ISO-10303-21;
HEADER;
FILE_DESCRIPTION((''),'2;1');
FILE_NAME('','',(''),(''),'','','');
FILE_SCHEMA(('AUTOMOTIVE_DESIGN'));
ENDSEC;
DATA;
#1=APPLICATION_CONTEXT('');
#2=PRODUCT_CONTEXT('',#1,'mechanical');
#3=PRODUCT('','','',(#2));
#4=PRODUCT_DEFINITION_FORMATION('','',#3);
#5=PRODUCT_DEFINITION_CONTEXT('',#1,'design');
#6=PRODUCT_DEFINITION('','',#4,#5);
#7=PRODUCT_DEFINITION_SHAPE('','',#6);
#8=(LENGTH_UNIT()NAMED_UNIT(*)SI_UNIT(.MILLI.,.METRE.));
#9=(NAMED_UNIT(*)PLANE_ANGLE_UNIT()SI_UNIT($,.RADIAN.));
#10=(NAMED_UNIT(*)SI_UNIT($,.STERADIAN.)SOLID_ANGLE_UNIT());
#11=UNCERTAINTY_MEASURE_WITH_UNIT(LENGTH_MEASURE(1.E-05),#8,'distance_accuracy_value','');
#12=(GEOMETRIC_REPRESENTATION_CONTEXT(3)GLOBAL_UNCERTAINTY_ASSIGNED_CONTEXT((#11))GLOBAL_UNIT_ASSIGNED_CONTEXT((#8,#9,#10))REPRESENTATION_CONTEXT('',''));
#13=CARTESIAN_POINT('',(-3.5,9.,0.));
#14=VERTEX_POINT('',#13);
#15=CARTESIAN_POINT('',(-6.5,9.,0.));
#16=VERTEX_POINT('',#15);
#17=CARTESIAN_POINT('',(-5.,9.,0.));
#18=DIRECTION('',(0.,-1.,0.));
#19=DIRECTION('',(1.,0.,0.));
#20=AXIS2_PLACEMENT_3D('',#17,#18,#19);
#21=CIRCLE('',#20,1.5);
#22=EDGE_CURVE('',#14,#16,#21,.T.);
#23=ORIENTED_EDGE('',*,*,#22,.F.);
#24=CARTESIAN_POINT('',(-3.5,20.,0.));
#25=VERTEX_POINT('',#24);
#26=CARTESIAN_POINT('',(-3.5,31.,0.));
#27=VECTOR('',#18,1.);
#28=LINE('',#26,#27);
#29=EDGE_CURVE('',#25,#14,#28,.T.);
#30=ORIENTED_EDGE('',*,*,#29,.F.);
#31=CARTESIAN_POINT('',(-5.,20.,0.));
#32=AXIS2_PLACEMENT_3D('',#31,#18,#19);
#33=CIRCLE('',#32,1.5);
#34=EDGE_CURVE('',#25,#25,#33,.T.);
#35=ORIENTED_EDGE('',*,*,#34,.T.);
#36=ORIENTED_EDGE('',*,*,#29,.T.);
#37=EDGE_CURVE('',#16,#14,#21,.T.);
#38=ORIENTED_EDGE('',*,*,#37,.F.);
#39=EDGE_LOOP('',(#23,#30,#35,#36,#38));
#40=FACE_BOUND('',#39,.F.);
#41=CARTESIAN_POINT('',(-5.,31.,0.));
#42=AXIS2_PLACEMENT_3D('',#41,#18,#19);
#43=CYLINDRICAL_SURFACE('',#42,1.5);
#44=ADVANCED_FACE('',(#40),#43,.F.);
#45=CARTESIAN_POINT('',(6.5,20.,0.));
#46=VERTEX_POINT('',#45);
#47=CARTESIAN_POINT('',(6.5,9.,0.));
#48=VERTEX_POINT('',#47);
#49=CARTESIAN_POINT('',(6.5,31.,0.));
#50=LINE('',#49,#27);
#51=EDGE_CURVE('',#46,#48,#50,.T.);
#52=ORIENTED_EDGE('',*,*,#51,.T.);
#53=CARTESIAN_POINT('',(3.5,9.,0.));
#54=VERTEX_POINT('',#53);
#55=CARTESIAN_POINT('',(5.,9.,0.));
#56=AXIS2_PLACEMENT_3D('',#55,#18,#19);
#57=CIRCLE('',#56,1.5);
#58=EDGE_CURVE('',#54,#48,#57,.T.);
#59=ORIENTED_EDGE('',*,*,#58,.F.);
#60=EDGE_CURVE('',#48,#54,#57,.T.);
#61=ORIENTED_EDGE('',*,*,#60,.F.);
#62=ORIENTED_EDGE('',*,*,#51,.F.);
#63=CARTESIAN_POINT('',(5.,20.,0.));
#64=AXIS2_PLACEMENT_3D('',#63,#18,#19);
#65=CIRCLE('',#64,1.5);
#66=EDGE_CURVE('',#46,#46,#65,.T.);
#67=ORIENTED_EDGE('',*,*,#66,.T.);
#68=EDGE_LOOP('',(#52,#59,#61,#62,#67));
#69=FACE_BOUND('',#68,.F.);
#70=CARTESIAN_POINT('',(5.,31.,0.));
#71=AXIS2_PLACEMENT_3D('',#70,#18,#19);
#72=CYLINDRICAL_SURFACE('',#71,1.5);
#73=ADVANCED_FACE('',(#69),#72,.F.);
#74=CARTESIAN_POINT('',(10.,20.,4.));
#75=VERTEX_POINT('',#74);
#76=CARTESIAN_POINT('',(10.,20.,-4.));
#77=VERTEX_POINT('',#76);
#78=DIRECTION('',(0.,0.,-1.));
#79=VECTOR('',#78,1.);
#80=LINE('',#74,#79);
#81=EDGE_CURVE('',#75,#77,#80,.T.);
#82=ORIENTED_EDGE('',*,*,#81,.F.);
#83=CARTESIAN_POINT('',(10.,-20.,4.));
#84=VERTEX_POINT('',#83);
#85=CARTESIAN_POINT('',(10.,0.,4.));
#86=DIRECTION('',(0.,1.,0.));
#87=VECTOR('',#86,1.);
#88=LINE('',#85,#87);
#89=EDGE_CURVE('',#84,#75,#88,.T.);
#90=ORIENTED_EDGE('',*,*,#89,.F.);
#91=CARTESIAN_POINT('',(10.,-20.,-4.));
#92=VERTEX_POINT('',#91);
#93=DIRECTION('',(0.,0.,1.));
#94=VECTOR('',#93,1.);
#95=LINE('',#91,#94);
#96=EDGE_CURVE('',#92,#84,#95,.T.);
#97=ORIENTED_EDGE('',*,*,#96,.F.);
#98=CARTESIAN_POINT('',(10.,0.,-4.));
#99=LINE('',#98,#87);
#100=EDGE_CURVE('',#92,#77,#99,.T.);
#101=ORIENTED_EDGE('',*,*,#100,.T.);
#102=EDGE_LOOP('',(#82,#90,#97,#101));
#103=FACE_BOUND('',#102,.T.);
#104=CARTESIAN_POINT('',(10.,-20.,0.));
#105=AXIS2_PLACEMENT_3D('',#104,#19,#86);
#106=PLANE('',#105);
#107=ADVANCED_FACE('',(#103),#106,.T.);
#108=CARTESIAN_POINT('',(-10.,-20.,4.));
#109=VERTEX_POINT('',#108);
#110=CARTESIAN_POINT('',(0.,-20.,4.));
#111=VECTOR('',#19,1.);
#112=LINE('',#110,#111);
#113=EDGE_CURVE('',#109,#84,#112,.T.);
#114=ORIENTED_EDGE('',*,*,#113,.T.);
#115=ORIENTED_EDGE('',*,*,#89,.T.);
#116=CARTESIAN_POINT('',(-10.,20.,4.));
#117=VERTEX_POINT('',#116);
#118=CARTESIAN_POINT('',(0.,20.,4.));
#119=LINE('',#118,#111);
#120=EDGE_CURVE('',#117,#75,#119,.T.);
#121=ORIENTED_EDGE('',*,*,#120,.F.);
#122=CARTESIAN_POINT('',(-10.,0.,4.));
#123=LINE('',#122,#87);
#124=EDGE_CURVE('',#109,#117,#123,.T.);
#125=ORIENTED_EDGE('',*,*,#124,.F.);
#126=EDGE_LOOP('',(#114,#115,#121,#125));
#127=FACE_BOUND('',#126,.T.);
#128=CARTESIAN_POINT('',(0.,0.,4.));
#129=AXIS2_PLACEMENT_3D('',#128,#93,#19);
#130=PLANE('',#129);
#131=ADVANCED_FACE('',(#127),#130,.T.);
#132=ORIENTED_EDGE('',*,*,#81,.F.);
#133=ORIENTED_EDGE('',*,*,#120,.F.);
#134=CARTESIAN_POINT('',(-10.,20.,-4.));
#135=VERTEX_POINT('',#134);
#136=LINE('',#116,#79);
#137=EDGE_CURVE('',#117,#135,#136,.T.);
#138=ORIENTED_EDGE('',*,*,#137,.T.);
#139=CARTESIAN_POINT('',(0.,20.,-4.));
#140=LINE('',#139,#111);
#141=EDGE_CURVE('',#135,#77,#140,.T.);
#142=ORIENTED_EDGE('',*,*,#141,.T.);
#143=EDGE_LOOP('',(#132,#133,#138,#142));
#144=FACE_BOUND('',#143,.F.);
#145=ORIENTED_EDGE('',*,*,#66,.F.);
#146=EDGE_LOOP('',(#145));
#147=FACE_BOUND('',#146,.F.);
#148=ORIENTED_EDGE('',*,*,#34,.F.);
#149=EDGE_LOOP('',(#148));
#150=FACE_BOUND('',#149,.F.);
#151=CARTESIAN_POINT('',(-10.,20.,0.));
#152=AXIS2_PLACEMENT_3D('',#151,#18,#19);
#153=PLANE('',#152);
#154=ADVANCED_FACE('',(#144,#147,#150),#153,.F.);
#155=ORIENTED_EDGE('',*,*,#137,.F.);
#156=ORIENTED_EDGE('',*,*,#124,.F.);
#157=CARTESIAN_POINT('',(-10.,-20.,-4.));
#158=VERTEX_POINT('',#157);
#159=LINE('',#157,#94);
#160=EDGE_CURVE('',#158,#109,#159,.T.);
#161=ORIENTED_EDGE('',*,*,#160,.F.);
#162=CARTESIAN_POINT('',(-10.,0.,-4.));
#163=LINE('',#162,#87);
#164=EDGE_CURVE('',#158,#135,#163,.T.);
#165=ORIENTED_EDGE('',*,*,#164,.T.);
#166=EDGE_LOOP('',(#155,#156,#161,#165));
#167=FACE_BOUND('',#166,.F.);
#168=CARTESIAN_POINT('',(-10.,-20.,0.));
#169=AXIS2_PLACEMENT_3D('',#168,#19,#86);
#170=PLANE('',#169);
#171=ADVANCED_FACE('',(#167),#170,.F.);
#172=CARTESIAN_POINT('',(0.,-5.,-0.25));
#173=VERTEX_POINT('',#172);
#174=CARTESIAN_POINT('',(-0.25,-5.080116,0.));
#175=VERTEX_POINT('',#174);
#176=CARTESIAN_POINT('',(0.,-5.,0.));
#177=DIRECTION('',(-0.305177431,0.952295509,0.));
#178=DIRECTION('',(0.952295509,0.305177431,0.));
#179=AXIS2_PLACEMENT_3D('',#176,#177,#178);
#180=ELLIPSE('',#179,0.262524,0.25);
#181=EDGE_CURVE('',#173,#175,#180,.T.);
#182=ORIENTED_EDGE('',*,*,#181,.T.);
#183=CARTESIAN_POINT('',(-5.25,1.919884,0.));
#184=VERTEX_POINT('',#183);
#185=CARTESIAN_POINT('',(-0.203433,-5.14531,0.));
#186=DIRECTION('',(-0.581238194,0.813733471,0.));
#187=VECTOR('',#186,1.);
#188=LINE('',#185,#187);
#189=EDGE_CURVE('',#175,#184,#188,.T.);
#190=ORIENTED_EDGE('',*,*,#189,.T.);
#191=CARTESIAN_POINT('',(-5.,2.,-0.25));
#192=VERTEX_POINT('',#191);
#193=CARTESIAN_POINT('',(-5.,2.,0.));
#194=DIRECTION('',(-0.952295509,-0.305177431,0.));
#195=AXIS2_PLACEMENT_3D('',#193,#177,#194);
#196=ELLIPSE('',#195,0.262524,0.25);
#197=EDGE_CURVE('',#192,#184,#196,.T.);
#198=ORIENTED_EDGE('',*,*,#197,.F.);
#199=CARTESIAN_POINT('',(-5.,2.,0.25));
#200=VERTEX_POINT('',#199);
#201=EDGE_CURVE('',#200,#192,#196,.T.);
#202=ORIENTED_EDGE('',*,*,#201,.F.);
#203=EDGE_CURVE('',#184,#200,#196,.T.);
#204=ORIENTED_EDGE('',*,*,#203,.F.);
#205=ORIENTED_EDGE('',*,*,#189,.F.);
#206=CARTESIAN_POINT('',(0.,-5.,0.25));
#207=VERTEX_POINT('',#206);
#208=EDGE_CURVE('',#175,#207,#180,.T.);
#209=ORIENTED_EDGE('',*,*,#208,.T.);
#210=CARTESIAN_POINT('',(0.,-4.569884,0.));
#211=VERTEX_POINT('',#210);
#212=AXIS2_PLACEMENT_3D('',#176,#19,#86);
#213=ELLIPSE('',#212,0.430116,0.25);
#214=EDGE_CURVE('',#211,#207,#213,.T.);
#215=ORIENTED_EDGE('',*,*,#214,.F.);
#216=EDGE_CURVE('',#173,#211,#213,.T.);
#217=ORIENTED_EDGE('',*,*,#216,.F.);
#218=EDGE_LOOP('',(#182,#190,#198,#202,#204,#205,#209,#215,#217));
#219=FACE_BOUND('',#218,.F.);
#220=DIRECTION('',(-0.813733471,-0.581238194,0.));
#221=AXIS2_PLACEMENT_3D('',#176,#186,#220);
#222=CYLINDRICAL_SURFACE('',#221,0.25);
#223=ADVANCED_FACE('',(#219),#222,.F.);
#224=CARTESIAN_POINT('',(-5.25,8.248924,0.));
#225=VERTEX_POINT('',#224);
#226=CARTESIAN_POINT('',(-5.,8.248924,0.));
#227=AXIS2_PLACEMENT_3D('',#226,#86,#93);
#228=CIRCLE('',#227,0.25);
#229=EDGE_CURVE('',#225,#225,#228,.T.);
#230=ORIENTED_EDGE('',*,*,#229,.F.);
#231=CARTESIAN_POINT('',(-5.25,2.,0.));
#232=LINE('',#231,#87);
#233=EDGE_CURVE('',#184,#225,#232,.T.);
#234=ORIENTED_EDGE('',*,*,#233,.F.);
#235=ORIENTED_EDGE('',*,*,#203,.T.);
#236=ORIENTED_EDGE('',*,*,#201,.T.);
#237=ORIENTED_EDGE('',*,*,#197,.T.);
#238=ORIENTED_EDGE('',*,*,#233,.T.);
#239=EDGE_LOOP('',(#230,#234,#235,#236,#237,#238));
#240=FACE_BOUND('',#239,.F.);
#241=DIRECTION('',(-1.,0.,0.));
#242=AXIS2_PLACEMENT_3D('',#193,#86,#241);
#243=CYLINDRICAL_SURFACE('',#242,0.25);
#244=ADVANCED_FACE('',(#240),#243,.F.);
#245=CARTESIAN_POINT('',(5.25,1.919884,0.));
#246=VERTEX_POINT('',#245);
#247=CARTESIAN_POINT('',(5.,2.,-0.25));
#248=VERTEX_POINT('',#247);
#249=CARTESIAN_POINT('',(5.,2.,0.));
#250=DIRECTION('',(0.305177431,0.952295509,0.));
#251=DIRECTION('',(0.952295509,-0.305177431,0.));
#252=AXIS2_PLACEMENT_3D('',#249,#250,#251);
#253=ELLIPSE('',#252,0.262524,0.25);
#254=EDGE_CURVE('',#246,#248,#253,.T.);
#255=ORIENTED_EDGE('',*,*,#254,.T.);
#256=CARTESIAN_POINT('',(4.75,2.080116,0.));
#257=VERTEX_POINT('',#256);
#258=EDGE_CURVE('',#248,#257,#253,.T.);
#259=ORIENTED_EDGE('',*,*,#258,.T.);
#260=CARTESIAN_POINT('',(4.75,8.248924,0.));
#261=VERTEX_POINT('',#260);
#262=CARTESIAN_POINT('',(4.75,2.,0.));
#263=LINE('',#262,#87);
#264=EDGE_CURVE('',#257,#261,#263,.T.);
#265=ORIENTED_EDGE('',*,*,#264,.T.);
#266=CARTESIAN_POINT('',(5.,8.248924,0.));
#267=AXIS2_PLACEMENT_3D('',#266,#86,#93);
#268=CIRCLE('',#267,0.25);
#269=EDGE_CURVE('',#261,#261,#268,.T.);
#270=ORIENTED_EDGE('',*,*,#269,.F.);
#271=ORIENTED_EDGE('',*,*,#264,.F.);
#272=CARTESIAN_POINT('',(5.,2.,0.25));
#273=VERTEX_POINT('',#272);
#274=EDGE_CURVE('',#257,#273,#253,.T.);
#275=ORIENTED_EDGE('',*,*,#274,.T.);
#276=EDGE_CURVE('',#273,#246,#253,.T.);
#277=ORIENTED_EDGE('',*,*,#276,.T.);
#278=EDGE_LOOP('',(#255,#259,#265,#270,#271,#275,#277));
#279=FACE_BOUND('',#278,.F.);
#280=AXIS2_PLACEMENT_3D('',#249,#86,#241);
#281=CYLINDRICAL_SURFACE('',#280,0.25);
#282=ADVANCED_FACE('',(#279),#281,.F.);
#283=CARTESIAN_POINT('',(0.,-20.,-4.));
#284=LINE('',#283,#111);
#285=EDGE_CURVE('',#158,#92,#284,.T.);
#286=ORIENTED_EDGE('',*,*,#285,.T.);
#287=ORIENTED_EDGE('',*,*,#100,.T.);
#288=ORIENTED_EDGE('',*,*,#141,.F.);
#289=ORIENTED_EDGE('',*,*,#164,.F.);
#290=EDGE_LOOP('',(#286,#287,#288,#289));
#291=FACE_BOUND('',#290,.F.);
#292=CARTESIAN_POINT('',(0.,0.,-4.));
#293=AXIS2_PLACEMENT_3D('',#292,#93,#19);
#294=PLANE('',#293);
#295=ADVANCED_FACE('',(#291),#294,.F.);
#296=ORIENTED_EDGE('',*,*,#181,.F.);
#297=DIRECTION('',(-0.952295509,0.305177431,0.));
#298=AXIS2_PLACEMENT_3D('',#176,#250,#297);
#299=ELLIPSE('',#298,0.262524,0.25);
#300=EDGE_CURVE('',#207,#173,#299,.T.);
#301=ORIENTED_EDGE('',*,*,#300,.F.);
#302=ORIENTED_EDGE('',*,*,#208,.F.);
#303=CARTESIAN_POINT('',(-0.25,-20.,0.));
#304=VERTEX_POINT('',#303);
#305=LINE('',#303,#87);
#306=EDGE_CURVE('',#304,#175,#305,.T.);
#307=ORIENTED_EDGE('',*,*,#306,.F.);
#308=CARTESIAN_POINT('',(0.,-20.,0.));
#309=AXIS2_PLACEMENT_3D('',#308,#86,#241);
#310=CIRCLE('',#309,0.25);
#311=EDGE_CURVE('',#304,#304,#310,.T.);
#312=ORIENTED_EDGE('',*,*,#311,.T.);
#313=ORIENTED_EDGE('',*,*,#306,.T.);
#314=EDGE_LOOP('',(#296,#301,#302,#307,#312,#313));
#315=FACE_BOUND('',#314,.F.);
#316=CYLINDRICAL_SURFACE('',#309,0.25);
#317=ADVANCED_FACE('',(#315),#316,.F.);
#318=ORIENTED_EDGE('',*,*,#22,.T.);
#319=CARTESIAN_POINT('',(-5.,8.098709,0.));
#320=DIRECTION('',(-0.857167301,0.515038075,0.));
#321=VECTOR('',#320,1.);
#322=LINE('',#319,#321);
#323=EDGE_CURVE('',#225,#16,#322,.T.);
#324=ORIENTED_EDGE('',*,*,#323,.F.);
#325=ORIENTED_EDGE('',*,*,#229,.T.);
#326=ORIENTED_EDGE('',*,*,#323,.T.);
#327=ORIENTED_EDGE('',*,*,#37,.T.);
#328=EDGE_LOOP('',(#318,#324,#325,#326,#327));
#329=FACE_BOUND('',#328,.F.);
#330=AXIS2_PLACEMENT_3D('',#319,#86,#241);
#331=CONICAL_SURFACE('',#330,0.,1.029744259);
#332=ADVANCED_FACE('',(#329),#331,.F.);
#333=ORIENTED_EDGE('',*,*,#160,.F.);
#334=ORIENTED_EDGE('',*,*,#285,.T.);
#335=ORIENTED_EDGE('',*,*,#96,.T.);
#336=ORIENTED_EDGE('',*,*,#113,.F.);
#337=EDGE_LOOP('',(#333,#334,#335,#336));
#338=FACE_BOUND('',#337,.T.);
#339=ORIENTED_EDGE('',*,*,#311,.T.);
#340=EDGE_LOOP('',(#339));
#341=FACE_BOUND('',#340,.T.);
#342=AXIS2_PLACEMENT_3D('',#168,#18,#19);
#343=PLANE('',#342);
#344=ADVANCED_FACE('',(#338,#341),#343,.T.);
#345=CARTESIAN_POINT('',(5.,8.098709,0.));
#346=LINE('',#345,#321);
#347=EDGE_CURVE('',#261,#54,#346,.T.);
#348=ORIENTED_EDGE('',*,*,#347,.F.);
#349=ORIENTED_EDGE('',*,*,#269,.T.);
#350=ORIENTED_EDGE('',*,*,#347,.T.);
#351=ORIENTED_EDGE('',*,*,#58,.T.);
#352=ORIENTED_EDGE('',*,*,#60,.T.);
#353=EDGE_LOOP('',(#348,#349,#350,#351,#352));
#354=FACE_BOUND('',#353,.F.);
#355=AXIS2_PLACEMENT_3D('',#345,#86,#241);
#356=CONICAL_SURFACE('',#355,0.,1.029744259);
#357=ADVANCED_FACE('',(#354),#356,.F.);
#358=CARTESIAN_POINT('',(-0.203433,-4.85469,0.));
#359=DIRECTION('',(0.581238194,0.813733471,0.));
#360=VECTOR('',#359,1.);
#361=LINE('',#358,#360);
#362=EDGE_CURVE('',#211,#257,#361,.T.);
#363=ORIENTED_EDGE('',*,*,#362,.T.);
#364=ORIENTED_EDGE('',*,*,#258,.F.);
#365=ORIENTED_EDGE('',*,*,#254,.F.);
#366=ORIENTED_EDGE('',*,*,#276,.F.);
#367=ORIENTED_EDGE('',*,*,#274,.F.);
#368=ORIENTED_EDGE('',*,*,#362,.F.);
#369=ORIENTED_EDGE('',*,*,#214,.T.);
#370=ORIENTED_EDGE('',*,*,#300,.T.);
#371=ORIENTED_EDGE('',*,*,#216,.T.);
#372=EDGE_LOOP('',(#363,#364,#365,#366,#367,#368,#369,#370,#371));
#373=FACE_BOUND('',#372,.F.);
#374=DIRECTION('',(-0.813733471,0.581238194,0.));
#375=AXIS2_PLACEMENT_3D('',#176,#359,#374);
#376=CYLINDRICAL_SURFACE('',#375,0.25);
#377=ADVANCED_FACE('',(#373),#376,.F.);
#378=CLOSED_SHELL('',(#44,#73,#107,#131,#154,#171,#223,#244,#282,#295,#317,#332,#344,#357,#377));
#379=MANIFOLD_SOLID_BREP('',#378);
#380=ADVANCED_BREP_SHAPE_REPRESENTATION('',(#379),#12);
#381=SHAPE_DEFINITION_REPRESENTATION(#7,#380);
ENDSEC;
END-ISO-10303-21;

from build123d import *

# Parameters (mm, degrees)
F0_W          = 20
F0_H          = 40
F1_DEPTH      = 4
F1_DEPTH_BACK = 4
F3_R          = 0.25
F6_R          = 0.25
F10_D         = 3
F10_DEPTH     = 11
F10_TIP       = 0.9012909285
F11_D         = 3
F11_DEPTH     = 11
F11_TIP       = 0.9012909285


with BuildPart() as f1:
    # F0 (on Top) → F1 (new body, two sides)
    with BuildSketch(Plane.XY) as f1_sk:
        Rectangle(F0_W, F0_H)
    extrude(amount=F1_DEPTH)
    extrude(f1_sk.sketch, amount=-F1_DEPTH_BACK)

    # F4: sweep along a path in F2
    with BuildLine(Plane.XY) as f4_path:
        Line((0, -20), (0, -5))
        Line((0, -5), (5, 2))
        Line((5, 2), (5, 20))
    # F3 (on face) → F4 (sweep, cut)
    with BuildSketch(Plane(origin=(0, 20, 0), x_dir=(-1, 0, 0), z_dir=(0, 1, 0))):
        with Locations((-5, 0)):
            Circle(F3_R)
    sweep(path=f4_path.line, transition=Transition.RIGHT, mode=Mode.SUBTRACT)

    # F7: sweep along a path in F5
    with BuildLine(Plane.XY) as f7_path:
        Line((0, -5), (-5, 2))
        Line((-5, 2), (-5, 20))
    # F6 (on face) → F7 (sweep, cut)
    with BuildSketch(Plane(origin=(0, 20, 0), x_dir=(-1, 0, 0), z_dir=(0, 1, 0))):
        with Locations((5, 0)):
            Circle(F6_R)
    sweep(path=f7_path.line, transition=Transition.RIGHT, mode=Mode.SUBTRACT)

    # F10
    with Locations(Plane(origin=(0, 20, 0), x_dir=(-1, 0, 0), z_dir=(0, 1, 0))):
        with Locations((-5, 0)):
            Hole(F10_D / 2, depth=F10_DEPTH)
            with Locations((0, 0, -(F10_DEPTH + F10_TIP / 2))):  # 118° drill point
                Cone(0, F10_D / 2, F10_TIP, mode=Mode.SUBTRACT)

    # F11
    with Locations(Plane(origin=(0, 20, 0), x_dir=(-1, 0, 0), z_dir=(0, 1, 0))):
        with Locations((5, 0)):
            Hole(F11_D / 2, depth=F11_DEPTH)
            with Locations((0, 0, -(F11_DEPTH + F11_TIP / 2))):  # 118° drill point
                Cone(0, F11_D / 2, F11_TIP, mode=Mode.SUBTRACT)


solid = f1.part
